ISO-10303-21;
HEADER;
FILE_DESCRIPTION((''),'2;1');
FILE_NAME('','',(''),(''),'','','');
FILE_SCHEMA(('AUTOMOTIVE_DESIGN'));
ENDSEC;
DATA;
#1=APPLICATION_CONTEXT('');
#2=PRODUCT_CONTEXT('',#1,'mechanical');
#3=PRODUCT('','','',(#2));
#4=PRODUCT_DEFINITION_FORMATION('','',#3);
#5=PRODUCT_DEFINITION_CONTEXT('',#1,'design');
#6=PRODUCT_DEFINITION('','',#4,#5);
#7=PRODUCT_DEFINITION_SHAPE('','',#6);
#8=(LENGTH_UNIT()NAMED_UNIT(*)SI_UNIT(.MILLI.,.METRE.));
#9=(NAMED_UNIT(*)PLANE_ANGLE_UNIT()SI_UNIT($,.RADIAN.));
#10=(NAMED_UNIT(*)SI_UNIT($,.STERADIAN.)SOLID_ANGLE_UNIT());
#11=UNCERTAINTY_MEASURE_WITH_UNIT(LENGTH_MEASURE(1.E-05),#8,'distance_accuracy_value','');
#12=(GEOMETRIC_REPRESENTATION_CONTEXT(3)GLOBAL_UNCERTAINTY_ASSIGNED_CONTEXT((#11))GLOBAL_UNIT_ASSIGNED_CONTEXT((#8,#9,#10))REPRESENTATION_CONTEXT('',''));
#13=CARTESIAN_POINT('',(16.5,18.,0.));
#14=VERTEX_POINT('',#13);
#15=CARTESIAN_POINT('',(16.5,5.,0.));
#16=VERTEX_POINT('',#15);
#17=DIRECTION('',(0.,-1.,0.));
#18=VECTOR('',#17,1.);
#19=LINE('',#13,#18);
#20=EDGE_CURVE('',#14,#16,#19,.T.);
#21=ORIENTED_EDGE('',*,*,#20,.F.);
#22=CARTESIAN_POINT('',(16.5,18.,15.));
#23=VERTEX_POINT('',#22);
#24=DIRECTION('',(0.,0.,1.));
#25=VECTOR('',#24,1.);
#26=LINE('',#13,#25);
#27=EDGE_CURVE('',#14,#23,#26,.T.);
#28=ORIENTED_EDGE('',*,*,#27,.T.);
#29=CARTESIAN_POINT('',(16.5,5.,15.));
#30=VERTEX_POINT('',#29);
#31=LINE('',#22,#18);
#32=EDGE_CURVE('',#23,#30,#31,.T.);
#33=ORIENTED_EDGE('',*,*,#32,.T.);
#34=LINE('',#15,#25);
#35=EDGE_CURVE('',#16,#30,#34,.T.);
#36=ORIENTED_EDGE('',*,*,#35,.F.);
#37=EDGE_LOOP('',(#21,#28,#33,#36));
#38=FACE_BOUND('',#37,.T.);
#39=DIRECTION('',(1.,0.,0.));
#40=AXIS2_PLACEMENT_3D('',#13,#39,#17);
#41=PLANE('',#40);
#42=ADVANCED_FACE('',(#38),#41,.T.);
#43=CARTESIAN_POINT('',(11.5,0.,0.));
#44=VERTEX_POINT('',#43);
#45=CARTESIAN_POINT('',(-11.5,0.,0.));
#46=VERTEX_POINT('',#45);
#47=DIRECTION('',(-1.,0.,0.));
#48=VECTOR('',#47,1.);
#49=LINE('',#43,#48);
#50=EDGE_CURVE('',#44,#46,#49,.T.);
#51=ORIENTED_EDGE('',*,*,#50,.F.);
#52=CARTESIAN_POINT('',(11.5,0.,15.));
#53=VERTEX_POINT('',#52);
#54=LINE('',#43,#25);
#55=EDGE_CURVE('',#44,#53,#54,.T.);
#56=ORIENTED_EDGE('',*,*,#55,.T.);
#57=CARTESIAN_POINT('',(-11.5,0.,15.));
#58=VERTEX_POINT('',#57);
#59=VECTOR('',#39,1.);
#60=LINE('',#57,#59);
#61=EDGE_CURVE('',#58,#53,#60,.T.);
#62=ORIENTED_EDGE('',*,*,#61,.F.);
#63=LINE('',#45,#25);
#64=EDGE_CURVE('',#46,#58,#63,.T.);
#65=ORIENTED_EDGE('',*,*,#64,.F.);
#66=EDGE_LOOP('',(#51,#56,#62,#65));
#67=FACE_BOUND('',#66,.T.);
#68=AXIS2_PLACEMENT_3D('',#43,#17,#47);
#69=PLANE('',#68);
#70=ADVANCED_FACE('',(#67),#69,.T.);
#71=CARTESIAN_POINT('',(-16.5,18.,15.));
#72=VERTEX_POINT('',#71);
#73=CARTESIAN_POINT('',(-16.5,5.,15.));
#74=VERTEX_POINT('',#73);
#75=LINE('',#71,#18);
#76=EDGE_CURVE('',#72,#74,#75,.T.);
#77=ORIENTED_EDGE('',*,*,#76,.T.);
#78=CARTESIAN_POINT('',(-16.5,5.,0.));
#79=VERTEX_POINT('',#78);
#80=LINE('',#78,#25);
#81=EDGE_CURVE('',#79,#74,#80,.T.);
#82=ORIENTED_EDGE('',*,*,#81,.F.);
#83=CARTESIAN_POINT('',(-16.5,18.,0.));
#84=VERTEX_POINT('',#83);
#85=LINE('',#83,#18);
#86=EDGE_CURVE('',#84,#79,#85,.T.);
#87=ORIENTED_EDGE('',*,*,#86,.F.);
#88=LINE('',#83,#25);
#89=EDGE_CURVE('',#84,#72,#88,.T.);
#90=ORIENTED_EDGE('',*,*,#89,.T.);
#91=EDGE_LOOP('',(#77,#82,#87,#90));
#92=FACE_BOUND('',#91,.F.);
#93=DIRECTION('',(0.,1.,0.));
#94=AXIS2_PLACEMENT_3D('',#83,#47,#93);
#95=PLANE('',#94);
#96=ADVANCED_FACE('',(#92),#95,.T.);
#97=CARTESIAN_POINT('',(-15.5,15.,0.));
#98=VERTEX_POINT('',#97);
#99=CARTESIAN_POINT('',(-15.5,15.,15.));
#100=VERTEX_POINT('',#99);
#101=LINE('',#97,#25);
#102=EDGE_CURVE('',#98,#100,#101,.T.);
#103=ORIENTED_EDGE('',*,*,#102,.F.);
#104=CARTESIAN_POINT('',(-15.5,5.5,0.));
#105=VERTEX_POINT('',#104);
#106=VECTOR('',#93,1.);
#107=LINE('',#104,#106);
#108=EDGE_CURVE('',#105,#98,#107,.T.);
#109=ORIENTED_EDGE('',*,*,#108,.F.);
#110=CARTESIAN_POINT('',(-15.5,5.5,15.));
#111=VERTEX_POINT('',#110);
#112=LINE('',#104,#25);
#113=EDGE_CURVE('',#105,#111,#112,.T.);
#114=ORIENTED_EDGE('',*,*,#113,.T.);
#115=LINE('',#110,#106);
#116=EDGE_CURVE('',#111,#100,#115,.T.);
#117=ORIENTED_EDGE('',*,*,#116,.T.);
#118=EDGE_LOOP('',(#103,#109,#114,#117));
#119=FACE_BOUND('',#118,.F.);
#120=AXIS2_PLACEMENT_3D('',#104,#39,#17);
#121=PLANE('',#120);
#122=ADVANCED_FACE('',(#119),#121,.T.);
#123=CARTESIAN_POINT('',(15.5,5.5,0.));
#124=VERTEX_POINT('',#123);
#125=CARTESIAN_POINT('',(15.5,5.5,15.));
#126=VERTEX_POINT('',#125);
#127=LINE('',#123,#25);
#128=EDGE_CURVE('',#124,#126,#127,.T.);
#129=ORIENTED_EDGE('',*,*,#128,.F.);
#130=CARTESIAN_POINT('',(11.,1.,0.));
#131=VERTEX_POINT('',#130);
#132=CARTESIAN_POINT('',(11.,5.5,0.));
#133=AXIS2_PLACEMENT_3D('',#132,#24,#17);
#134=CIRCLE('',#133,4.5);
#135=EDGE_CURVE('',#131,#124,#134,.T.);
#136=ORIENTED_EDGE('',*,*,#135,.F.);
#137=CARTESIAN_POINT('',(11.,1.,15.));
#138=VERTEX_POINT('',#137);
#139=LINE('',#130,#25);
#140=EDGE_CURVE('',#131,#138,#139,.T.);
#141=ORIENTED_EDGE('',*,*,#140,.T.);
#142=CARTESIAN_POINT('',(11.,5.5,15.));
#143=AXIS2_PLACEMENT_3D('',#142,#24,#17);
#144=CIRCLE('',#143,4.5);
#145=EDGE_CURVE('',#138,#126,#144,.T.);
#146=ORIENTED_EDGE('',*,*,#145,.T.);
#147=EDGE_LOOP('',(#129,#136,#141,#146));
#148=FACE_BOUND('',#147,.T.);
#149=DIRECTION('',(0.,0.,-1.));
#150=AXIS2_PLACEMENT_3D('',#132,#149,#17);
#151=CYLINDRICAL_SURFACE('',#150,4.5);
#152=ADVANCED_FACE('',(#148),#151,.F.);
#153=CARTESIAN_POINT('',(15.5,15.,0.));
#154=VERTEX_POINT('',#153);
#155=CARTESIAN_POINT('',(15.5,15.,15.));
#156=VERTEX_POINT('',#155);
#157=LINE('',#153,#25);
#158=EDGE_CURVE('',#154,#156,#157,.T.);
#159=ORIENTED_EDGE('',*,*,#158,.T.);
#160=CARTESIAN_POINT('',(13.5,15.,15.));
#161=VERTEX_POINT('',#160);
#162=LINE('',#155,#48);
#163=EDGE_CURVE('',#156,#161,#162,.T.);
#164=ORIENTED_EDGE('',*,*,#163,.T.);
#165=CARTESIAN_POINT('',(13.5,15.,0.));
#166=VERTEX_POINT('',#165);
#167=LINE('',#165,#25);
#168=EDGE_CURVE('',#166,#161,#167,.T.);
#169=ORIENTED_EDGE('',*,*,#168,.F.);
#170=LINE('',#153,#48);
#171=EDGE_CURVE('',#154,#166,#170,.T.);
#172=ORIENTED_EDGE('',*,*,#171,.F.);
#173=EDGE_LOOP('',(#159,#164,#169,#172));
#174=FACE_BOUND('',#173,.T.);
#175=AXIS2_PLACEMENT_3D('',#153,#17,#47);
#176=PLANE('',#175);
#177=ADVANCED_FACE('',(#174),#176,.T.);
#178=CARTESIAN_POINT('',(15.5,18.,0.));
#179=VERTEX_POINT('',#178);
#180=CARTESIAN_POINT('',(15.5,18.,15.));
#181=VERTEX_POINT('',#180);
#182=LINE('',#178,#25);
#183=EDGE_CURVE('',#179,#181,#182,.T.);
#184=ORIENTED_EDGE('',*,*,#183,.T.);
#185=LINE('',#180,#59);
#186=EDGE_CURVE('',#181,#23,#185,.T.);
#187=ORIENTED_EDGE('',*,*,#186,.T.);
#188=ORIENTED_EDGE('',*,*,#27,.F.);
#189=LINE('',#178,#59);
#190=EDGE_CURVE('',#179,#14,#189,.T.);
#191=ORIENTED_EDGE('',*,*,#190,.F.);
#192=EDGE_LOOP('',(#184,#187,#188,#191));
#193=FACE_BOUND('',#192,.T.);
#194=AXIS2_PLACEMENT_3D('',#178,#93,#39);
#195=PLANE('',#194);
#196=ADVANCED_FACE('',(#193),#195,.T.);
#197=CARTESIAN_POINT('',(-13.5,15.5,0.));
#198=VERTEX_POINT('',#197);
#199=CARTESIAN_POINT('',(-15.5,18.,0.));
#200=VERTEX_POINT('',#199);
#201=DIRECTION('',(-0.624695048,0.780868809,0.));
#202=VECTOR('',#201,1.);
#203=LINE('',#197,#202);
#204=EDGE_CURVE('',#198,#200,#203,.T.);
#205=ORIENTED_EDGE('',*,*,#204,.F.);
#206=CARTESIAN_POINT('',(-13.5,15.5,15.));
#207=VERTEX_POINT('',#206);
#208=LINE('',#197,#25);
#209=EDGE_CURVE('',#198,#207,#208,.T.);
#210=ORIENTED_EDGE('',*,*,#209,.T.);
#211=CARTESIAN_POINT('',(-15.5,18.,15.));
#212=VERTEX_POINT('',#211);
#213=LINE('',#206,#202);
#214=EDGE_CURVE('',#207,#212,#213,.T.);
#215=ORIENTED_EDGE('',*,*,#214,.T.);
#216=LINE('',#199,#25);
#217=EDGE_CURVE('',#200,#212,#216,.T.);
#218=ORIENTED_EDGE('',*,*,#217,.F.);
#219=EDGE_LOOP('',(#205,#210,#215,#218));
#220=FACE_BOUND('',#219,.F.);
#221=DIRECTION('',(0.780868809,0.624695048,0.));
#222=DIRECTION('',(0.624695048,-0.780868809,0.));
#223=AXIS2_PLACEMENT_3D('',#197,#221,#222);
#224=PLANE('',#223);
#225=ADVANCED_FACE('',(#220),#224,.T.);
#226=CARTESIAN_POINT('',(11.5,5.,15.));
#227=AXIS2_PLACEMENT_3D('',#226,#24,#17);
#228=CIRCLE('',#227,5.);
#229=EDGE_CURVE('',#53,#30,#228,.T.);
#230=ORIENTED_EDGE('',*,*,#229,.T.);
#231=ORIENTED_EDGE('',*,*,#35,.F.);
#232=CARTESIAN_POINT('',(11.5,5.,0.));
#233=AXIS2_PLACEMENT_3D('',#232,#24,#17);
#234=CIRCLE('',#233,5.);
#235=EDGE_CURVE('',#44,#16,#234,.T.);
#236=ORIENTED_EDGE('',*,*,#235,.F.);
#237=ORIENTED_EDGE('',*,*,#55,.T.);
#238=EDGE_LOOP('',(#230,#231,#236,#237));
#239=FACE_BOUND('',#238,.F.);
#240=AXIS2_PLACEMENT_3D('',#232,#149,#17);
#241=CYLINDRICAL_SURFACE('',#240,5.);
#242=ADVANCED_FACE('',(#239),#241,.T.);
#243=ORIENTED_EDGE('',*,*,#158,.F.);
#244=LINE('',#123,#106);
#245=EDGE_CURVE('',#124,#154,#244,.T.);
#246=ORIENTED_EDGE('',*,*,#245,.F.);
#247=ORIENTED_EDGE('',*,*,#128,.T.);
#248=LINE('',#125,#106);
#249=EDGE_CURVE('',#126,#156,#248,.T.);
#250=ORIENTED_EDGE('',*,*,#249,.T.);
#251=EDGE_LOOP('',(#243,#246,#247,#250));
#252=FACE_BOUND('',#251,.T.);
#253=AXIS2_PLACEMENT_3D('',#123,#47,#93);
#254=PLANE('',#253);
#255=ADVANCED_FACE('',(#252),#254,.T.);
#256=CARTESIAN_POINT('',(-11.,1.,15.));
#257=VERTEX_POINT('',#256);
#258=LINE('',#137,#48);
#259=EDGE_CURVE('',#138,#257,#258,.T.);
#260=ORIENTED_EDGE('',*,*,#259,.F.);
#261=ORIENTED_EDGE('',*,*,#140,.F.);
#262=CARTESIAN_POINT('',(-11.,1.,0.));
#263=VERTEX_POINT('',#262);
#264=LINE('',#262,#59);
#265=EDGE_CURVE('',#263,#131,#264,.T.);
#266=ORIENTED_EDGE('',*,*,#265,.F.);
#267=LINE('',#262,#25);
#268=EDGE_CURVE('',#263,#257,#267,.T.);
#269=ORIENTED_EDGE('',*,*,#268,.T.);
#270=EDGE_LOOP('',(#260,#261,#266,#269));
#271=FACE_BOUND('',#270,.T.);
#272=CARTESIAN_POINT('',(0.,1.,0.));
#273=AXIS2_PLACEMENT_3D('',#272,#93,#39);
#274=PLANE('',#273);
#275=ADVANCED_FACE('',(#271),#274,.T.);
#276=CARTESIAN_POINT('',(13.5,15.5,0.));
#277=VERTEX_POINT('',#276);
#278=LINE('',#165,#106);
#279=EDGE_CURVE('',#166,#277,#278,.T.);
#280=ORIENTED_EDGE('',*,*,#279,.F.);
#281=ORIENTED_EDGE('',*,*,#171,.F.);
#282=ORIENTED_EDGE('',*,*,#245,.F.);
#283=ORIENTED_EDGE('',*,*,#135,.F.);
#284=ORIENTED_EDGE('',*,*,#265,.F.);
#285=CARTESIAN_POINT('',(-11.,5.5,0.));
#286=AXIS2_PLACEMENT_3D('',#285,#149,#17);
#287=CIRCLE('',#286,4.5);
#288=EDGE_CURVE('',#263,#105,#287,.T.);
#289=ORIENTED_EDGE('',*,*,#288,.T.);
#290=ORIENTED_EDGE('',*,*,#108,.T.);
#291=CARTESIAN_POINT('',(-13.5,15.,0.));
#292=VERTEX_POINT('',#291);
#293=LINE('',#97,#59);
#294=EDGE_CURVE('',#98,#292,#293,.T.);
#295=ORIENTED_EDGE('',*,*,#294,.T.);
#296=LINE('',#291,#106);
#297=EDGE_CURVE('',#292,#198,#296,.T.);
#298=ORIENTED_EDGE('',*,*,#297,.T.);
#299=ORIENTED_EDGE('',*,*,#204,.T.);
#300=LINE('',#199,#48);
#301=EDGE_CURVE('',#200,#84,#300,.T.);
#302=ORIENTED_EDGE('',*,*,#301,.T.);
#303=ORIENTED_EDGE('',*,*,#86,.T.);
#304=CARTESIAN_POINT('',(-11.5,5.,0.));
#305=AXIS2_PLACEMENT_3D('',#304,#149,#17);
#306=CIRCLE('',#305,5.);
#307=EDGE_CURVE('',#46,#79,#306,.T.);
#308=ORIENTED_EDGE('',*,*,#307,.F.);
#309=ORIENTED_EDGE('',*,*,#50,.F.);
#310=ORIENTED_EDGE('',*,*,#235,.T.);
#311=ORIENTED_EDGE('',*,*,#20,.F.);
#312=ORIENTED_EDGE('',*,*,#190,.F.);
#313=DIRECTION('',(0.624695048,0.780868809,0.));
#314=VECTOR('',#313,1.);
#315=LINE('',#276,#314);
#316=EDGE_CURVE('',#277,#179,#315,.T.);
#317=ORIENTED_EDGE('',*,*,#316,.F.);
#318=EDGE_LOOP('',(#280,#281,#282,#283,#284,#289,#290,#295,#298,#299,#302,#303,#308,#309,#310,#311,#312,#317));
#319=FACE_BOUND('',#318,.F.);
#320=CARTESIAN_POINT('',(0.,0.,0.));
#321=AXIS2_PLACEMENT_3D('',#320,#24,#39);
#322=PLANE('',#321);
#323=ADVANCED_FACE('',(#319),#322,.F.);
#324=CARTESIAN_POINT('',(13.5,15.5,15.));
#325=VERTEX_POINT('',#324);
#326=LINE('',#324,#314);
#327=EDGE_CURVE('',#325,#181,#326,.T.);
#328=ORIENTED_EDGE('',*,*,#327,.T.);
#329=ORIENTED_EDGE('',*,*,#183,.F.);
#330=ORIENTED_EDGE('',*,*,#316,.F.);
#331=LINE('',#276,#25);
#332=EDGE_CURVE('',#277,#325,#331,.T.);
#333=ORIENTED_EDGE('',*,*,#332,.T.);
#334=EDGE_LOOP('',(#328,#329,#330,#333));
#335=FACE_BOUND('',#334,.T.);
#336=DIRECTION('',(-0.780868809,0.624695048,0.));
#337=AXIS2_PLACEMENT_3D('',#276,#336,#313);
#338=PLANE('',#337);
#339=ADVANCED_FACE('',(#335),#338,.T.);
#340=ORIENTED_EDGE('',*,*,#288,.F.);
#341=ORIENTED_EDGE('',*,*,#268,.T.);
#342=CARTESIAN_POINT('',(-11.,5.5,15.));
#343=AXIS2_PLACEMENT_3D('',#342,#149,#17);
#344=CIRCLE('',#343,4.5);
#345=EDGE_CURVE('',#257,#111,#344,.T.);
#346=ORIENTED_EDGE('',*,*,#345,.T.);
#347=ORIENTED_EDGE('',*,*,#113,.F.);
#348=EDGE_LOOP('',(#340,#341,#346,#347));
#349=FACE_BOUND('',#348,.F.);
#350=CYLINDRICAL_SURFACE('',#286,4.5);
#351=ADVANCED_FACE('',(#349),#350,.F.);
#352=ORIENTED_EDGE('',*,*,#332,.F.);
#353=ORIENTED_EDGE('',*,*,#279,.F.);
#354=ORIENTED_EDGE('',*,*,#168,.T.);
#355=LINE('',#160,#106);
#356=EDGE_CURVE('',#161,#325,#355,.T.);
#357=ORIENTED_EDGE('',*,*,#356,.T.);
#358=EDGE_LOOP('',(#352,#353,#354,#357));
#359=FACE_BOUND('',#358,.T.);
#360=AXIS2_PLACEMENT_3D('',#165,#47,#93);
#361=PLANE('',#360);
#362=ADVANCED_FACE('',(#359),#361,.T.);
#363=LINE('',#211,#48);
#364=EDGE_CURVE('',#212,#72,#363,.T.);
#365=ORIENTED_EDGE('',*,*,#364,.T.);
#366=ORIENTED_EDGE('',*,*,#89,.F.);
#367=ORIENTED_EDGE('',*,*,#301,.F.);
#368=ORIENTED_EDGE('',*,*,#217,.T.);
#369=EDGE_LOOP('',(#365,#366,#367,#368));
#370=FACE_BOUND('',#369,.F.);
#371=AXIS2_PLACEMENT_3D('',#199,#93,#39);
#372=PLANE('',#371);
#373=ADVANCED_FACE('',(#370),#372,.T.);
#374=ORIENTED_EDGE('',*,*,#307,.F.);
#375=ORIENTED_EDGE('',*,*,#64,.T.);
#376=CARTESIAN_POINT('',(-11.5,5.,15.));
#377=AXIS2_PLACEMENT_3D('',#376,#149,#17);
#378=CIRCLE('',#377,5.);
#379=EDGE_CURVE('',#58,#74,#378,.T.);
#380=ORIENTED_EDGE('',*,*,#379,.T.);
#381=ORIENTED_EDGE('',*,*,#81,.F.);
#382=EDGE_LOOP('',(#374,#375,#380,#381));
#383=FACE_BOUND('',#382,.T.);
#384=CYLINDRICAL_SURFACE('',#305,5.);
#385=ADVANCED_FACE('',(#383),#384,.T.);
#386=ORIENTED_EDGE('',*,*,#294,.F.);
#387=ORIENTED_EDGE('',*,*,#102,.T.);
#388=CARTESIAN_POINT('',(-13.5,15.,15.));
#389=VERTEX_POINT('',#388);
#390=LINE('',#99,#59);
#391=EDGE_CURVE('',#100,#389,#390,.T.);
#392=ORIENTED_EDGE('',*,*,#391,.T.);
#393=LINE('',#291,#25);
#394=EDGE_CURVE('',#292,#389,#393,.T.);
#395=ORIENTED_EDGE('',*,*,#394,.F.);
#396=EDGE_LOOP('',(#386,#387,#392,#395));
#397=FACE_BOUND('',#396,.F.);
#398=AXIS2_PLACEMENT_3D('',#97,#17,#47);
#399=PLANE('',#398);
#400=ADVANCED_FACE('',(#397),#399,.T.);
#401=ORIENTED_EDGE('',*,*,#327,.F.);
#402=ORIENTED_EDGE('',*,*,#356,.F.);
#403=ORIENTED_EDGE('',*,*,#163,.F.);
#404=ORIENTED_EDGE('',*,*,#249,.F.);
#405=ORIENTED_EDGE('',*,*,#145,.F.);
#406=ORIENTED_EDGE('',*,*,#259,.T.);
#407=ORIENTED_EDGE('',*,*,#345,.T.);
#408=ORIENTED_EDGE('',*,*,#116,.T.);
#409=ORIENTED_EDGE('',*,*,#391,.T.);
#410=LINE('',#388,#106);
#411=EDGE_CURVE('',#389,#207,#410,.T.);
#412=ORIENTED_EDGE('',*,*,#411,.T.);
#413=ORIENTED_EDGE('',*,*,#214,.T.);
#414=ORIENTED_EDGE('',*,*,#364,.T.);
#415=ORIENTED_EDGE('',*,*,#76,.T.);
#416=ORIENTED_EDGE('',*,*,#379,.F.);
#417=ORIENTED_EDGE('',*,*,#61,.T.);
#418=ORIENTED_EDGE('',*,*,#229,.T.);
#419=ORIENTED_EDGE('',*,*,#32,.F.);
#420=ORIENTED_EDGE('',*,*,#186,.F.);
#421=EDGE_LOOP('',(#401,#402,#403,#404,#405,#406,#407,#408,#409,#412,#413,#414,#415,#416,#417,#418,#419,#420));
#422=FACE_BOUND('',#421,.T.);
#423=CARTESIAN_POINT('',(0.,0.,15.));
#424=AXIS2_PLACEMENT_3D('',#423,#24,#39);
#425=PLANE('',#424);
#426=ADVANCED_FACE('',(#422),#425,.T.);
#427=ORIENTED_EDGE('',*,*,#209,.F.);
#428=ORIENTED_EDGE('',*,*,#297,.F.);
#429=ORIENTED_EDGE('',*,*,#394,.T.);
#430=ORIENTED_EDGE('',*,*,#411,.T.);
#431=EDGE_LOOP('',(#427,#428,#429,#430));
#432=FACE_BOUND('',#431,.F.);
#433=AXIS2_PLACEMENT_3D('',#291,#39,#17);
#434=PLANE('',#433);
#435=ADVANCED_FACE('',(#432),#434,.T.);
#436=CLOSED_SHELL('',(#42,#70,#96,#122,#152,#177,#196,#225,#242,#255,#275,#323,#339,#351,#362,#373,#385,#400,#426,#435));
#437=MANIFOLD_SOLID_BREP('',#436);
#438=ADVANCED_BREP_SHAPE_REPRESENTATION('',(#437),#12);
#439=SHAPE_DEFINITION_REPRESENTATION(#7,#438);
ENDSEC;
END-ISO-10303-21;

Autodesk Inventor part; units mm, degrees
ref_plane "YZ Plane" through (0, 0, 0) normal (1, 0, 0) x (0, 1, 0)
ref_plane "XZ Plane" through (0, 0, 0) normal (0, 1, 0) x (-1, 0, 0)
ref_plane "XY Plane" through (0, 0, 0) normal (0, 0, 1) x (1, 0, 0)
sketch "Skizze1" plane through (0, 0, 0) normal (0, 0, 1) x (1, 0, 0)
  line L0 (15.5, 18) -> (16.5, 18)
  line L1 (16.5, 18) -> (16.5, 5)
  line L2 (11.5, 0) -> (0, 0)
  line L3 (0, 0) -> (0, 1)
  line L4 (0, 1) -> (11, 1)
  line L5 (15.5, 5.5) -> (15.5, 15)
  line L6 (15.5, 15) -> (13.5, 15)
  line L7 (13.5, 15) -> (13.5, 15.5)
  line L8 (13.5, 15.5) -> (15.5, 18)
  arc A0 (11, 1) -> (15.5, 5.5) centre (11, 5.5) ccw
  arc A1 (11.5, 0) -> (16.5, 5) centre (11.5, 5) ccw
  point P0 (16.5, 0)
  point P1 (15.5, 1)
  point P2 (16, 18)
  dimension "d0" = 1
  dimension "d1" = 1
  dimension "d2" = 15.5
  dimension "d3" = 14
  dimension "d4" = 3
  dimension "d5" = 0.5
  dimension "d6" = 1
  dimension "d7" = 2
  dimension "d10" = 4.5
  dimension "d11" = 5
extrude "Extrusion1" add sketch "Skizze1" along normal blind 15
mirror "Spiegeln1" about plane through (0, 0, 0) normal (1, 0, 0)
properties part number "P_Halter"
